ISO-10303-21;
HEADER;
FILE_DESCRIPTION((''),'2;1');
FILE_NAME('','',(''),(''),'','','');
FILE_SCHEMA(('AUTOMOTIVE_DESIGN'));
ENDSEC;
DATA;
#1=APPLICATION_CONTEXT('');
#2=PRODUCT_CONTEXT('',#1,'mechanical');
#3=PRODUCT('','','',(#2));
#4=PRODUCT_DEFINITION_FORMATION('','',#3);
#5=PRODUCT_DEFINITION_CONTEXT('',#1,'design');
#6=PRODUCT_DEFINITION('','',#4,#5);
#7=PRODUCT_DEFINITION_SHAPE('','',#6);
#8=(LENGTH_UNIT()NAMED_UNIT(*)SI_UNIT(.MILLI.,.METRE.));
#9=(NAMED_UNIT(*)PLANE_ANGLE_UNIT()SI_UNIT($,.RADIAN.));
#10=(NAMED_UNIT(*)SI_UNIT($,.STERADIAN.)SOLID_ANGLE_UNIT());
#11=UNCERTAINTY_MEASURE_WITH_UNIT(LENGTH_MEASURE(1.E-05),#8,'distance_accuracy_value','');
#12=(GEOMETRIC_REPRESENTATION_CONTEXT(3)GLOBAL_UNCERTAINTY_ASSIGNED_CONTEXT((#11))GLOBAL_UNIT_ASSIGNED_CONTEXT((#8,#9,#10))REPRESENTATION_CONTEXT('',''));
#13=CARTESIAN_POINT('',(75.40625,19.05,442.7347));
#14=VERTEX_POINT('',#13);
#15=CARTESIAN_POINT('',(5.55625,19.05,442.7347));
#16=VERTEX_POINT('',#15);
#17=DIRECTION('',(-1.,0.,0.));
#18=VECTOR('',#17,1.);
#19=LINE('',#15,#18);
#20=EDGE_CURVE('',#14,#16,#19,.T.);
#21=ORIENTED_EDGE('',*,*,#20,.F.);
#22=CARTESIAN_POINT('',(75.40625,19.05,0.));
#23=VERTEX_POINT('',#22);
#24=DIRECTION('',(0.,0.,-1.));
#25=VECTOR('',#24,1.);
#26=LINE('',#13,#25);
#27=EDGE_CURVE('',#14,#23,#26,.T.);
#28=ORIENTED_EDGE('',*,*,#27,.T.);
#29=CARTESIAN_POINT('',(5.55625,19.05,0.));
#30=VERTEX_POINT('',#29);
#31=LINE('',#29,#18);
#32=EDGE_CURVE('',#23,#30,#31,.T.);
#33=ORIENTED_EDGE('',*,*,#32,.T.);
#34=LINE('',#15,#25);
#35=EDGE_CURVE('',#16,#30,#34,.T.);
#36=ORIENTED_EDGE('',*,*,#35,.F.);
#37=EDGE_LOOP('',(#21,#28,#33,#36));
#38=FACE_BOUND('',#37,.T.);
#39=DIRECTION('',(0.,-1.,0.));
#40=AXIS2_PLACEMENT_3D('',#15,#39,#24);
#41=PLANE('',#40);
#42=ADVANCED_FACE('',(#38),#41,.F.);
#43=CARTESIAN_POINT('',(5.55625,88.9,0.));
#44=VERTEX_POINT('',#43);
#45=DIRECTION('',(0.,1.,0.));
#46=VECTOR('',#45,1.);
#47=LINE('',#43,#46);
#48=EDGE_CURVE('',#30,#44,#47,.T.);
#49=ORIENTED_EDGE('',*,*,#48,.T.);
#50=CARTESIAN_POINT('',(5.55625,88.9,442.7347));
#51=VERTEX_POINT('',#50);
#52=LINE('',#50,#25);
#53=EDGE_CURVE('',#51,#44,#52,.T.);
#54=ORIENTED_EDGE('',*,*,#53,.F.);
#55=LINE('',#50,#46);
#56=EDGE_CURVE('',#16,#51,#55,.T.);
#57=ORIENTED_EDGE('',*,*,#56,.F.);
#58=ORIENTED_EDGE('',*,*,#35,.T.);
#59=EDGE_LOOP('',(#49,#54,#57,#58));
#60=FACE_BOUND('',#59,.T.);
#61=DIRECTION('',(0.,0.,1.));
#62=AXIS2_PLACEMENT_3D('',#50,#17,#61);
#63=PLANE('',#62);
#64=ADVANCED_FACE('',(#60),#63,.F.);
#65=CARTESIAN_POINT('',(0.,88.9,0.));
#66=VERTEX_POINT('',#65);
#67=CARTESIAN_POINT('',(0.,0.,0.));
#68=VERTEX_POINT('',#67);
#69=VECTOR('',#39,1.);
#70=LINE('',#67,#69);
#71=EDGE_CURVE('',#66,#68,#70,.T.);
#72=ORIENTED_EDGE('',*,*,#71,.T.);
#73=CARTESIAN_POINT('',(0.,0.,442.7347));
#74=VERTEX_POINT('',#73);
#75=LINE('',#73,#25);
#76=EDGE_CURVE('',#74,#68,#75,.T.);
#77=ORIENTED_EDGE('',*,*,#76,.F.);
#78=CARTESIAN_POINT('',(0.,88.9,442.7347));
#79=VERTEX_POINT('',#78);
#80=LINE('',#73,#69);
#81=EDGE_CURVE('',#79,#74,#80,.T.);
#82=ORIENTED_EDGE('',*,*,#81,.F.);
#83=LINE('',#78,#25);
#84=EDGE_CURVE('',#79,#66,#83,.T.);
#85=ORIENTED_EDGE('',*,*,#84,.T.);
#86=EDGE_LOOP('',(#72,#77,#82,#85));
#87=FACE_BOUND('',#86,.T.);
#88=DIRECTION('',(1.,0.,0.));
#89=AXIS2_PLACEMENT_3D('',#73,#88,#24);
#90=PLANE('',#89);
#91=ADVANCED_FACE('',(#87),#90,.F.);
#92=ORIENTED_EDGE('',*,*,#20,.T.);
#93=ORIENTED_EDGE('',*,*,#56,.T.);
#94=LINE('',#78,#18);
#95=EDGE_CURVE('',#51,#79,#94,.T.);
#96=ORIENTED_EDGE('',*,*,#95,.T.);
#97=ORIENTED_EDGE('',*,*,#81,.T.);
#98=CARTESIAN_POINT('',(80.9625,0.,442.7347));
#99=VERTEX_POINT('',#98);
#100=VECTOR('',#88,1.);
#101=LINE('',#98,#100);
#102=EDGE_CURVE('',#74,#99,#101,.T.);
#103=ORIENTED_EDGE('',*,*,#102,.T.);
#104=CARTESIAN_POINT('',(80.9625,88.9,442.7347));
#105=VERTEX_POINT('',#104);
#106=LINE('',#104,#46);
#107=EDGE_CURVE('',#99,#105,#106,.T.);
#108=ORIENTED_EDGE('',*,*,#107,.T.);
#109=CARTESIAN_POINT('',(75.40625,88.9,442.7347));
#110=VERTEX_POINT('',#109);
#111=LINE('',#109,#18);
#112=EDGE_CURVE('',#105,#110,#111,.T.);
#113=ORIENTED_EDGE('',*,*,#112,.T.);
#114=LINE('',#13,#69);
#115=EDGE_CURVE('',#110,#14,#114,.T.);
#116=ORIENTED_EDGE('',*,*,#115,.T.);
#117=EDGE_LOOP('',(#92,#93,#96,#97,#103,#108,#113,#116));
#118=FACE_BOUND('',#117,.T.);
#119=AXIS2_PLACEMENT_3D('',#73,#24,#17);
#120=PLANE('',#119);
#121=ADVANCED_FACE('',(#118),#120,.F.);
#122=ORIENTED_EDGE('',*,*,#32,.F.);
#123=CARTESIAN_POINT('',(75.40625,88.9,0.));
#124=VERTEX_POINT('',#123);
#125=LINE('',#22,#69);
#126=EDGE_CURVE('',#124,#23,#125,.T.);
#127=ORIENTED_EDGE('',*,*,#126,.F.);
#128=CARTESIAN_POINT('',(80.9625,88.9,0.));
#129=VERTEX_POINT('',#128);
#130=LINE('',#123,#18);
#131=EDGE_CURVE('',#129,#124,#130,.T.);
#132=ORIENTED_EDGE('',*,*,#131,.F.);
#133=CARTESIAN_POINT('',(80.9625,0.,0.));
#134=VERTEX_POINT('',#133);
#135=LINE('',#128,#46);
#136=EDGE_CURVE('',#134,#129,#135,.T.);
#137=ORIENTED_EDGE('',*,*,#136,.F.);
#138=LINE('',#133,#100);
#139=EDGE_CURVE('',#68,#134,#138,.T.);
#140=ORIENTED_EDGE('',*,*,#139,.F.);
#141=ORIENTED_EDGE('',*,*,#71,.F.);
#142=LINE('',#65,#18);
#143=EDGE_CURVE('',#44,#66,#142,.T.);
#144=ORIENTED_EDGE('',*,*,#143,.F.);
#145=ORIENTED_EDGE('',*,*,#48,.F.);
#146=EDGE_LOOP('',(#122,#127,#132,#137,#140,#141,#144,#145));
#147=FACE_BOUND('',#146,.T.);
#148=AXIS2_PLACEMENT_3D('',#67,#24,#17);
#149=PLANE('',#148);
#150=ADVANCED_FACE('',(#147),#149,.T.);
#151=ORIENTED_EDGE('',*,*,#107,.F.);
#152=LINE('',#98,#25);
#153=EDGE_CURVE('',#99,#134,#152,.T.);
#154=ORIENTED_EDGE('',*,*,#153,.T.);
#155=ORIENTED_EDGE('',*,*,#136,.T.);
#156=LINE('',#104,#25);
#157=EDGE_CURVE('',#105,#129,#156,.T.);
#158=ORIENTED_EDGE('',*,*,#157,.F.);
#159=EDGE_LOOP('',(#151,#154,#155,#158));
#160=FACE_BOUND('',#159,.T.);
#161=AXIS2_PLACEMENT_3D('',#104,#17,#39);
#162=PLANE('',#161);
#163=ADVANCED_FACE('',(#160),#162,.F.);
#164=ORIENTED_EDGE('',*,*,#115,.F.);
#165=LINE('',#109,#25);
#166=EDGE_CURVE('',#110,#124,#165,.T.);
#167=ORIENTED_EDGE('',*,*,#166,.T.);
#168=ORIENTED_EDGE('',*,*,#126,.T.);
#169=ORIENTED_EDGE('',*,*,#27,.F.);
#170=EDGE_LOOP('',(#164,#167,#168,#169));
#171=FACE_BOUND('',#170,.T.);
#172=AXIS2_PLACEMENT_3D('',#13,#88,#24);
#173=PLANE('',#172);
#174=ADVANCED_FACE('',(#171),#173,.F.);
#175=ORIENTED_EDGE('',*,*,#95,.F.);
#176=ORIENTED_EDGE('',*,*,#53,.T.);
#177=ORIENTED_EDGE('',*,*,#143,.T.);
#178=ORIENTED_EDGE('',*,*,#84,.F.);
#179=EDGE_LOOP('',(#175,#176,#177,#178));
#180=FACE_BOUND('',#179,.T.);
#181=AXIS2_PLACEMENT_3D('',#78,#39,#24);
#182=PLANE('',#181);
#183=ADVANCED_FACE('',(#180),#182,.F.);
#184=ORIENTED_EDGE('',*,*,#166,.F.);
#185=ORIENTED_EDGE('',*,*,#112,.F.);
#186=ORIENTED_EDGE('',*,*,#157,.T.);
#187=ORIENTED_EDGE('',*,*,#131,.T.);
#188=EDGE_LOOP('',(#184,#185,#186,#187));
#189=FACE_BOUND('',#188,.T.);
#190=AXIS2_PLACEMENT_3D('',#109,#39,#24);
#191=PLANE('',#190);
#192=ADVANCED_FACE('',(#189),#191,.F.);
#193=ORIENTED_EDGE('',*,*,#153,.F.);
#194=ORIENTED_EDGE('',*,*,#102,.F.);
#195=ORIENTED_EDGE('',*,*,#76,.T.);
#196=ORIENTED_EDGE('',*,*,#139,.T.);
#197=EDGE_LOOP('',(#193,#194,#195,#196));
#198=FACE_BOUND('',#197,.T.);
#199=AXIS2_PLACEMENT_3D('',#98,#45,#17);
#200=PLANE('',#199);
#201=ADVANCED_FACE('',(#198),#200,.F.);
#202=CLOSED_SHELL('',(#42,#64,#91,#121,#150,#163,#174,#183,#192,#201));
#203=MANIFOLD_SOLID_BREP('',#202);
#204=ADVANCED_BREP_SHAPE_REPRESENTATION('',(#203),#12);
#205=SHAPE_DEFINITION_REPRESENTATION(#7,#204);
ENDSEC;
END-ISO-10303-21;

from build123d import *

# Parameters (mm, degrees)
BOSS_EXTRUDE1_DEPTH = 442.7347


with BuildPart() as part:
    # Sketch1 → Boss-Extrude1 (new body)
    with BuildSketch(Plane.XY):
        Polygon((0, 0), (0, 88.9), (5.55625, 88.9), (5.55625, 19.05), (75.40625, 19.05), (75.40625, 88.9), (80.9625, 88.9), (80.9625, 0), align=None)
    extrude(amount=BOSS_EXTRUDE1_DEPTH)


solid = part.part
